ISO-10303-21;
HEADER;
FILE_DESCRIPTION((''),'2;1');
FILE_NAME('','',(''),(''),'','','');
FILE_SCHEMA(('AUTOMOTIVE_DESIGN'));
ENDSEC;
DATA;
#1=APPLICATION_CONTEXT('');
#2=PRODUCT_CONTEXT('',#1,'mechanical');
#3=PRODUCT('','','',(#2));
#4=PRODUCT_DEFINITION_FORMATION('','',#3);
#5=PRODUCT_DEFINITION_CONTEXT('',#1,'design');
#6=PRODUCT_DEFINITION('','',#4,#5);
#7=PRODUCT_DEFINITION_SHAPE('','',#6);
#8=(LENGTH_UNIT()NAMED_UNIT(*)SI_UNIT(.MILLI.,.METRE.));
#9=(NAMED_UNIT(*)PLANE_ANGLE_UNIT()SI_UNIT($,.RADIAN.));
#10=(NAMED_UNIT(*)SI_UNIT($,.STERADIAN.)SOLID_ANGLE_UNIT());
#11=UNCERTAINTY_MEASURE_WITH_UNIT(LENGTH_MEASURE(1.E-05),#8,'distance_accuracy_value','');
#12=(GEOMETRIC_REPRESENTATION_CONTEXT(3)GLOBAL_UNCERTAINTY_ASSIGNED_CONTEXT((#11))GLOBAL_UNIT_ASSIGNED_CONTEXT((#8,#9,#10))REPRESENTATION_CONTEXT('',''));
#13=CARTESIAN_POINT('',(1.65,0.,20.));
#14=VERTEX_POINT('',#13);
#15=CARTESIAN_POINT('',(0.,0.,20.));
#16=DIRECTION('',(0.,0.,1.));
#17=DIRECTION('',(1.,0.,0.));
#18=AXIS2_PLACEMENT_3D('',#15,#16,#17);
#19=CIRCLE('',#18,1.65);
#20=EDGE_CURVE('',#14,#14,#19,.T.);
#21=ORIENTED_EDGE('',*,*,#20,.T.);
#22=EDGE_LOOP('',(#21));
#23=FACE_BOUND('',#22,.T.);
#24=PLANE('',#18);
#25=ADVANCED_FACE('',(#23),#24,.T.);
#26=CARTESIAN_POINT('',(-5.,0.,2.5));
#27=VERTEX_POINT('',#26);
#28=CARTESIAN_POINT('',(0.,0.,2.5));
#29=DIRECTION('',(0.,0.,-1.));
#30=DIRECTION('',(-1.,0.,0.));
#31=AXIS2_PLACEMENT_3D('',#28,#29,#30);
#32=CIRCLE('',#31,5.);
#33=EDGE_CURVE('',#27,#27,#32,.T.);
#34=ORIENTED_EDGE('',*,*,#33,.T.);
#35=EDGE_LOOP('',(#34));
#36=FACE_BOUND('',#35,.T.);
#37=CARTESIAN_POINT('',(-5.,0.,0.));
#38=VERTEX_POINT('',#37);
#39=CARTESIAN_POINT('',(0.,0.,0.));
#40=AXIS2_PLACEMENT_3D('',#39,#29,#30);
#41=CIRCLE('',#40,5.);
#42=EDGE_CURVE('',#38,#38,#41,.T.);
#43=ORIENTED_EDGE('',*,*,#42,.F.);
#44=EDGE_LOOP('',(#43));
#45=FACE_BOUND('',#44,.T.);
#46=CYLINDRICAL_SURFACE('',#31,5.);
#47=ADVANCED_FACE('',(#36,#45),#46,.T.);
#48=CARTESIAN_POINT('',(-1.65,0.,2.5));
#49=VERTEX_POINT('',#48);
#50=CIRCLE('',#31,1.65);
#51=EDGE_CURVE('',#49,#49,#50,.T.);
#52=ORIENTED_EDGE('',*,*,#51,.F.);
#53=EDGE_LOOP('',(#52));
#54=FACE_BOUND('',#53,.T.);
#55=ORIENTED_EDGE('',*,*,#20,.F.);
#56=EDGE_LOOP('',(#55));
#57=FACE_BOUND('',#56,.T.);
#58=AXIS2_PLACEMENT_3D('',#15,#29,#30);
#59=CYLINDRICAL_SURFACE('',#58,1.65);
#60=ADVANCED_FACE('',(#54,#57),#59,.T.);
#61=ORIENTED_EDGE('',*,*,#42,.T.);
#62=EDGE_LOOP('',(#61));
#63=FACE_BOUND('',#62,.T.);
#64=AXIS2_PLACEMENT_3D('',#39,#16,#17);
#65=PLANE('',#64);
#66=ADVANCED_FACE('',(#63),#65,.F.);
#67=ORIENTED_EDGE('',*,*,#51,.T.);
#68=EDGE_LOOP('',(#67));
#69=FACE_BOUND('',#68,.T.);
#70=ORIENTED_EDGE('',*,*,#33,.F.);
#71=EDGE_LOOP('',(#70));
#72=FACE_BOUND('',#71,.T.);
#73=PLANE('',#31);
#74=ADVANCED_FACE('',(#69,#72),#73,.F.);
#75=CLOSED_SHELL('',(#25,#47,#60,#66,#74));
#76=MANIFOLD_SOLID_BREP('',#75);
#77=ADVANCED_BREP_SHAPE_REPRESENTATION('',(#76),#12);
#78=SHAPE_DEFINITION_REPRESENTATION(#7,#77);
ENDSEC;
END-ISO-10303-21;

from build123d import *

# Parameters (mm, degrees)
SKETCH1_R           = 1.65
BOSS_EXTRUDE1_DEPTH = 20
SKETCH2_R           = 5
BOSS_EXTRUDE2_DEPTH = 2.5


with BuildPart() as part:
    # Sketch1 → Boss-Extrude1 (new body)
    with BuildSketch(Plane.XY):
        Circle(SKETCH1_R)
    extrude(amount=BOSS_EXTRUDE1_DEPTH)

    # Sketch2 → Boss-Extrude2 (add)
    with BuildSketch(Plane(origin=(0, 0, 0), x_dir=(-1, 0, 0), z_dir=(0, 0, -1))):
        Circle(SKETCH2_R)
    extrude(amount=-BOSS_EXTRUDE2_DEPTH)


solid = part.part
